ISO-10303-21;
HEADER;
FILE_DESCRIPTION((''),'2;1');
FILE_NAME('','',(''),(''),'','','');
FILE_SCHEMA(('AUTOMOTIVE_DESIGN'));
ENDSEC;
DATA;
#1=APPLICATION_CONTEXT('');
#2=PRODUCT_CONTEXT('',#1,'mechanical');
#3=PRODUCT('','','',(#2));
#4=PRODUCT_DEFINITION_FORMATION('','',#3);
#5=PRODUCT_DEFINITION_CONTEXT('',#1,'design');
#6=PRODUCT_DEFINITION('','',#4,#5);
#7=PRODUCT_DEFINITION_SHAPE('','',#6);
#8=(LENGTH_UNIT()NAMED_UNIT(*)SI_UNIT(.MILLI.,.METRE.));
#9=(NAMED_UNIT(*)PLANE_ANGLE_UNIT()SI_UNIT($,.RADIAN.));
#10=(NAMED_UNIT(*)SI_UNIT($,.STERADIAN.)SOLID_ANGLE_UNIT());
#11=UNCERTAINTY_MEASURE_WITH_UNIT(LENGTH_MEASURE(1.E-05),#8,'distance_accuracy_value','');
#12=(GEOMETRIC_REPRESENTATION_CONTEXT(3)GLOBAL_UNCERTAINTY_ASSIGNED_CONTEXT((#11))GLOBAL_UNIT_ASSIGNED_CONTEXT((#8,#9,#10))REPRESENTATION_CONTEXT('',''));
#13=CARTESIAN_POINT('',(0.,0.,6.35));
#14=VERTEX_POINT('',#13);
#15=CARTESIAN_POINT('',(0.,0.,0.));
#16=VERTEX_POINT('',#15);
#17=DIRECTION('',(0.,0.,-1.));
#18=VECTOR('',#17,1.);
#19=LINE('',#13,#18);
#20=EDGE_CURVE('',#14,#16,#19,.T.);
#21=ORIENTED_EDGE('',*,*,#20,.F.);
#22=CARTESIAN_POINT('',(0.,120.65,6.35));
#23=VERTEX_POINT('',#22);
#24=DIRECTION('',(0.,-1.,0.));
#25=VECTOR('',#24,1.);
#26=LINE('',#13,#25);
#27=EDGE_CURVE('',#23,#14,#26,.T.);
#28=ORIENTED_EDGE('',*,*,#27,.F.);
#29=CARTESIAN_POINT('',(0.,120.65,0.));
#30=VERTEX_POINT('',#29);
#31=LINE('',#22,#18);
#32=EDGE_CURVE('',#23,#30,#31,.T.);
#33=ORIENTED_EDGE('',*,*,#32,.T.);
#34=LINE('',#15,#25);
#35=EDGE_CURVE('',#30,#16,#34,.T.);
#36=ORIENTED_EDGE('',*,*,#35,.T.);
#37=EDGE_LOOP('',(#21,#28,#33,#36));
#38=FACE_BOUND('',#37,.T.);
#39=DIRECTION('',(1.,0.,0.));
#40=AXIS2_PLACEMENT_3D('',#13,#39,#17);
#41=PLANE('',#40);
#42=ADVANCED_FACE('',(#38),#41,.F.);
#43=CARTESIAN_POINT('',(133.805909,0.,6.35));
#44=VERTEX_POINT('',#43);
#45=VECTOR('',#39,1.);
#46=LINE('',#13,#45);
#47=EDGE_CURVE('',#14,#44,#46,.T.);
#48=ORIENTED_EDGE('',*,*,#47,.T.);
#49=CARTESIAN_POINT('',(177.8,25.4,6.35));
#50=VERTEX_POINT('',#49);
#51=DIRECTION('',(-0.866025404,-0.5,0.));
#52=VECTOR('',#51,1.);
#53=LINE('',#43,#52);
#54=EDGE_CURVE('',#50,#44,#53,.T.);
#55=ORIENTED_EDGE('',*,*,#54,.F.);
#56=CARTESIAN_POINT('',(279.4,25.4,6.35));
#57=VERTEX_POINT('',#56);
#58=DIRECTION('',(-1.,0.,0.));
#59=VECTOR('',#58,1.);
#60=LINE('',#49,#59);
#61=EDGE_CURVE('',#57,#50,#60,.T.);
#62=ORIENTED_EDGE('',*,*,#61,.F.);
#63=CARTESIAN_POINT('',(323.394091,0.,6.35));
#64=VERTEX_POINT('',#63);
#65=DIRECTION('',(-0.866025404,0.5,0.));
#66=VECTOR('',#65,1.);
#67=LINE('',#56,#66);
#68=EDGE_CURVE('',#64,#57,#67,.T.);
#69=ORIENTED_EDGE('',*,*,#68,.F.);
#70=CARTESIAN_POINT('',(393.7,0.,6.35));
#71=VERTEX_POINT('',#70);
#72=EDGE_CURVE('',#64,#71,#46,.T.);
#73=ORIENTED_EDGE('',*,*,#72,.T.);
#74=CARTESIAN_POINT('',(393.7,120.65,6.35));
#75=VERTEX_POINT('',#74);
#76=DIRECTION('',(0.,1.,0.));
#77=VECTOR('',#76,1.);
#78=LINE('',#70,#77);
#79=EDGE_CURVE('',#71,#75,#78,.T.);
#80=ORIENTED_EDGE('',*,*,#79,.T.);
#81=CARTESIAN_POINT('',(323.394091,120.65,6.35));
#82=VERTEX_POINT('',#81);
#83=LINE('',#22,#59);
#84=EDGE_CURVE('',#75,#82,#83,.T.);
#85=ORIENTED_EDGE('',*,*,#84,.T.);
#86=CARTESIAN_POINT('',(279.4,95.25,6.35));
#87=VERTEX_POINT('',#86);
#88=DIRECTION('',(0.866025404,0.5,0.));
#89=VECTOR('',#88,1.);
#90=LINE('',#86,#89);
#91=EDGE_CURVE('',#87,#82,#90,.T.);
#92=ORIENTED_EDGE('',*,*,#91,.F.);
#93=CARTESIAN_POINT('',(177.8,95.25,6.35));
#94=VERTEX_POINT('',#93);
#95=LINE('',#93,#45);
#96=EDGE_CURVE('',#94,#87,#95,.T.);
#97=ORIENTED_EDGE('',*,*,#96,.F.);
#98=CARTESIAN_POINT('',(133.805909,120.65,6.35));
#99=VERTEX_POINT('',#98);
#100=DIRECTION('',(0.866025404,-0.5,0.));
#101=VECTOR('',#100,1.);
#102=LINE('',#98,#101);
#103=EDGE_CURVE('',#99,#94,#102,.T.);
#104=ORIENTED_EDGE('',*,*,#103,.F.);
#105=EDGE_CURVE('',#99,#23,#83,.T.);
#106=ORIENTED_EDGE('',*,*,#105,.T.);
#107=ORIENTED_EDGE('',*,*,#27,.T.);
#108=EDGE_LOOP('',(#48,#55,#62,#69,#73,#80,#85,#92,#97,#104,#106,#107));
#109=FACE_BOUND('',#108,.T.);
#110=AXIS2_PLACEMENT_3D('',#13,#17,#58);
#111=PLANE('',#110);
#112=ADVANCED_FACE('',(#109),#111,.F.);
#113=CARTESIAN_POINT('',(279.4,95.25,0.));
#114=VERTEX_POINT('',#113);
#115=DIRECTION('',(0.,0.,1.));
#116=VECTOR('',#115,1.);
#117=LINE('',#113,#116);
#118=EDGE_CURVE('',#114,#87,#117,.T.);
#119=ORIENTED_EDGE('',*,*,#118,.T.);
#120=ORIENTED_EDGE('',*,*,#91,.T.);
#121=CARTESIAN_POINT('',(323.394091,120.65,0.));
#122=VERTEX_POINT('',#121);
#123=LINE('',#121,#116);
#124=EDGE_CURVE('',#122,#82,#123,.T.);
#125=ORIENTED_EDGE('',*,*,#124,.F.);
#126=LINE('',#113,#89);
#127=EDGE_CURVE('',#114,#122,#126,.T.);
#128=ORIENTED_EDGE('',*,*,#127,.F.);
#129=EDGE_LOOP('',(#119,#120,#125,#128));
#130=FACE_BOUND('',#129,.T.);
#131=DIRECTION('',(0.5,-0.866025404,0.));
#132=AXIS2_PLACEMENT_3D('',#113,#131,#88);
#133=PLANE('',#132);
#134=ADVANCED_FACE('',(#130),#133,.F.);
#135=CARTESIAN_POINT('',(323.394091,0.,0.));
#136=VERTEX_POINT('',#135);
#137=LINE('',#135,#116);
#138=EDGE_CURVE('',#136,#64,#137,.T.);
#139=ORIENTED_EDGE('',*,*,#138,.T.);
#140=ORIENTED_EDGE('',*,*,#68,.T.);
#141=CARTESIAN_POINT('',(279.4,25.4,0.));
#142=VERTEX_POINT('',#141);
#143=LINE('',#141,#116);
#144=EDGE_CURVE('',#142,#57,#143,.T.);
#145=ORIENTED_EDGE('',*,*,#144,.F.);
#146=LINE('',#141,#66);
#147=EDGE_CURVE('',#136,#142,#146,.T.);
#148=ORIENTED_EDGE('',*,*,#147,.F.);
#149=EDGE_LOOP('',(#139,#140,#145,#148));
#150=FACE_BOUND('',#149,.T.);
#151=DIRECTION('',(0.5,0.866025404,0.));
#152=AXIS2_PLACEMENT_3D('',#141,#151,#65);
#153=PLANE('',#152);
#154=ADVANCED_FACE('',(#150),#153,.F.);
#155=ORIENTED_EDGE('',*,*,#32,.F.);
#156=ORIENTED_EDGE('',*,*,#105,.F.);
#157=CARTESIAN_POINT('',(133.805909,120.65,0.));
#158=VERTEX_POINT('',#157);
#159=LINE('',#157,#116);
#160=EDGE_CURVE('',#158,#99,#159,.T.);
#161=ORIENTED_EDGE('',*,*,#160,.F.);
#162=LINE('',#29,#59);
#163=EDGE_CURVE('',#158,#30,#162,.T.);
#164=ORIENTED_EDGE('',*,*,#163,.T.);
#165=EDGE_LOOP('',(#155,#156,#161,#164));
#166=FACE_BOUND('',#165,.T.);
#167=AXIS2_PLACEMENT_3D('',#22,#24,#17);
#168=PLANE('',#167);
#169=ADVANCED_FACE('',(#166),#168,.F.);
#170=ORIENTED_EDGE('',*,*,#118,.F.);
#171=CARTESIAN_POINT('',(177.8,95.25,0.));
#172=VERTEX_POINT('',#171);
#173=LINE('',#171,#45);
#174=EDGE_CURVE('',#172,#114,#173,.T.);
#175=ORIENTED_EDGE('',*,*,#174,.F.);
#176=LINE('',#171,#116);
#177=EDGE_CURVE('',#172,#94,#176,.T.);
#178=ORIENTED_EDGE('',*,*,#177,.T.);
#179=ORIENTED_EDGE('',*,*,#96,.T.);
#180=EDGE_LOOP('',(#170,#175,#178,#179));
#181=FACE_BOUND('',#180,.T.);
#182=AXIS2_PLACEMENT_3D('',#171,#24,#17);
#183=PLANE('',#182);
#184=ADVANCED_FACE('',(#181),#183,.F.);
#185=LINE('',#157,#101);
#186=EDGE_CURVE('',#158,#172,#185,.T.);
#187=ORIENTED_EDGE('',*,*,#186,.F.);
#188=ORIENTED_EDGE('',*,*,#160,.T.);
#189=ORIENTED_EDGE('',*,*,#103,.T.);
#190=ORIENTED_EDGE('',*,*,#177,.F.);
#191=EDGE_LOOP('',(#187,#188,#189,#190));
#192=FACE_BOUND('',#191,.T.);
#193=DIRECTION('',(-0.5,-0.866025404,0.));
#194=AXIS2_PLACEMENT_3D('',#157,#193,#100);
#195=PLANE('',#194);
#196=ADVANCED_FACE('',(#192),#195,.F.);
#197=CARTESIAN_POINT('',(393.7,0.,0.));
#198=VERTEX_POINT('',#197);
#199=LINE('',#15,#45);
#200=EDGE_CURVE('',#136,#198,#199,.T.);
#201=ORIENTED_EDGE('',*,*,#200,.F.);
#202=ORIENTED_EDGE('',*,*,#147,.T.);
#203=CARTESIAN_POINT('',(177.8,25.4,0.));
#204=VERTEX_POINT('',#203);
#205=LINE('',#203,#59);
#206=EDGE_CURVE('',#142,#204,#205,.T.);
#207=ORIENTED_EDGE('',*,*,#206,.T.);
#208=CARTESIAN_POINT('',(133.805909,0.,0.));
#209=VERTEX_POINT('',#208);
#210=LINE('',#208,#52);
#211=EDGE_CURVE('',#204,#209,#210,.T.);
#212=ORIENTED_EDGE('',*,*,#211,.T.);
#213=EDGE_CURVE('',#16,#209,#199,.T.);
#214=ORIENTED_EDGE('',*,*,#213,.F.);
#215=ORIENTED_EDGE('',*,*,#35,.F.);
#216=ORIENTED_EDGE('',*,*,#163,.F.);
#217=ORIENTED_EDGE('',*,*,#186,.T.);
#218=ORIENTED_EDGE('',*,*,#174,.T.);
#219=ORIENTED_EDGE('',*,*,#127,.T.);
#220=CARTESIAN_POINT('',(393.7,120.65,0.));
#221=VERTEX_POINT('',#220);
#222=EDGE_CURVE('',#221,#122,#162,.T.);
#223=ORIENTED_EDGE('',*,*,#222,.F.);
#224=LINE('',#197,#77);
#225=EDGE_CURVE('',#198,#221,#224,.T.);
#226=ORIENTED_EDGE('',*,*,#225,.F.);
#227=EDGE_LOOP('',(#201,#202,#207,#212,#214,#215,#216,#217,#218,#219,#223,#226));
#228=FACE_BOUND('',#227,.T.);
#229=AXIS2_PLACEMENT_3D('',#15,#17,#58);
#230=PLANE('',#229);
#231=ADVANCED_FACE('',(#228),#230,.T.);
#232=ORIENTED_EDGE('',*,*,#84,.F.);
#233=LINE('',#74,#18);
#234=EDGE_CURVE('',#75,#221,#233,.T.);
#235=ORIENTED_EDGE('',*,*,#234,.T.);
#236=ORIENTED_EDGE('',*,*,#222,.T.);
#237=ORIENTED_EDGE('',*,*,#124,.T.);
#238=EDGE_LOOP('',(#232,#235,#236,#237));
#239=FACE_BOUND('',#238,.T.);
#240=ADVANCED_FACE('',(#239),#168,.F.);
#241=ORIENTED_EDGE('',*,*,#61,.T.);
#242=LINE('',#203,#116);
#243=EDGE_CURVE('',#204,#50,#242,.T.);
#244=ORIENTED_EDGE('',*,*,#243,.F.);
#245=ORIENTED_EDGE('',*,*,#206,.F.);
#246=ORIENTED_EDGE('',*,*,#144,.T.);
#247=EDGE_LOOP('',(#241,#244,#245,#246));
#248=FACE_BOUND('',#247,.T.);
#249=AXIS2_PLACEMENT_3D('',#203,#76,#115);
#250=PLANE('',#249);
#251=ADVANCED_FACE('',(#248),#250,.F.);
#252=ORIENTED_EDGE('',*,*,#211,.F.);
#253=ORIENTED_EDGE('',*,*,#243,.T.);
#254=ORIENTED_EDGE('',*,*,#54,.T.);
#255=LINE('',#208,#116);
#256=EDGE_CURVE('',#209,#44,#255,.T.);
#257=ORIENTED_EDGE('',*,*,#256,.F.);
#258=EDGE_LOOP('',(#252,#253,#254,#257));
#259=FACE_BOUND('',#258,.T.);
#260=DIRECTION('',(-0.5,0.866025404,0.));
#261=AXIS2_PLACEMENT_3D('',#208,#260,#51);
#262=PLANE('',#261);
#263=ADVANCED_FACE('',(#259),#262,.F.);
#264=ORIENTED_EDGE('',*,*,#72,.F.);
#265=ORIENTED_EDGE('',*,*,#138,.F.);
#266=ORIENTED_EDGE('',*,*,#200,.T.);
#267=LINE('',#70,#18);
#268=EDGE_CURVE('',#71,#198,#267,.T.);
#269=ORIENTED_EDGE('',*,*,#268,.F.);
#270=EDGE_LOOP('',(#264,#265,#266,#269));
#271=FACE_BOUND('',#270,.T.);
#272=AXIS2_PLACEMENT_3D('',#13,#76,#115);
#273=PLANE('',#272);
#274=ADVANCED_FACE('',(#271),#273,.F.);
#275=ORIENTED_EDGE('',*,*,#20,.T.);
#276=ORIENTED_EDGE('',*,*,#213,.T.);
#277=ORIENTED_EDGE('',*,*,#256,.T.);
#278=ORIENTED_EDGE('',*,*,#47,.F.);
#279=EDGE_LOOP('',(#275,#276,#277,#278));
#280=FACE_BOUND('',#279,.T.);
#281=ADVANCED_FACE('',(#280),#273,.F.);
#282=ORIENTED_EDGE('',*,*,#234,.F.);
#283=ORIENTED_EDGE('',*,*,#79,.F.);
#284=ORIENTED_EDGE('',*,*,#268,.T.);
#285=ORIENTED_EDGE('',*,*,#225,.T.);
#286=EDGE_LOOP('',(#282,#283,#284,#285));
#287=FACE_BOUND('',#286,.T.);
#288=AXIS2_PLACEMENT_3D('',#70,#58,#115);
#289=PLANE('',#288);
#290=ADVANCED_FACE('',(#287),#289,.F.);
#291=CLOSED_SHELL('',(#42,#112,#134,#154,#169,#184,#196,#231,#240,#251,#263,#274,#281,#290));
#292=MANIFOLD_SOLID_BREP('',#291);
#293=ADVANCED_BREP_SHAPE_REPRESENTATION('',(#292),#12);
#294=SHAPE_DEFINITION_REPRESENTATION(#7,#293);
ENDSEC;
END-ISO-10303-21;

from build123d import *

# Parameters (mm, degrees)
SKETCH1_W           = 393.7
SKETCH1_H           = 120.65
BOSS_EXTRUDE1_DEPTH = 6.35
CUT_EXTRUDE1_DEPTH  = 7.35


with BuildPart() as part:
    # Sketch1 → Boss-Extrude1 (new body)
    with BuildSketch(Plane.XY):
        with Locations((196.85, 60.325)):
            Rectangle(SKETCH1_W, SKETCH1_H)
    extrude(amount=BOSS_EXTRUDE1_DEPTH)

    # Sketch2 → Cut-Extrude1 (cut, through all)
    with BuildSketch(Plane.XY.offset(6.35)):
        Polygon((133.805909488, 120.65), (177.8, 95.25), (279.4, 95.25), (323.394090512, 120.65), align=None)
        Polygon((133.805909488, 0), (177.8, 25.4), (279.4, 25.4), (323.394090512, 0), align=None)
    extrude(amount=-CUT_EXTRUDE1_DEPTH, mode=Mode.SUBTRACT)


solid = part.part
